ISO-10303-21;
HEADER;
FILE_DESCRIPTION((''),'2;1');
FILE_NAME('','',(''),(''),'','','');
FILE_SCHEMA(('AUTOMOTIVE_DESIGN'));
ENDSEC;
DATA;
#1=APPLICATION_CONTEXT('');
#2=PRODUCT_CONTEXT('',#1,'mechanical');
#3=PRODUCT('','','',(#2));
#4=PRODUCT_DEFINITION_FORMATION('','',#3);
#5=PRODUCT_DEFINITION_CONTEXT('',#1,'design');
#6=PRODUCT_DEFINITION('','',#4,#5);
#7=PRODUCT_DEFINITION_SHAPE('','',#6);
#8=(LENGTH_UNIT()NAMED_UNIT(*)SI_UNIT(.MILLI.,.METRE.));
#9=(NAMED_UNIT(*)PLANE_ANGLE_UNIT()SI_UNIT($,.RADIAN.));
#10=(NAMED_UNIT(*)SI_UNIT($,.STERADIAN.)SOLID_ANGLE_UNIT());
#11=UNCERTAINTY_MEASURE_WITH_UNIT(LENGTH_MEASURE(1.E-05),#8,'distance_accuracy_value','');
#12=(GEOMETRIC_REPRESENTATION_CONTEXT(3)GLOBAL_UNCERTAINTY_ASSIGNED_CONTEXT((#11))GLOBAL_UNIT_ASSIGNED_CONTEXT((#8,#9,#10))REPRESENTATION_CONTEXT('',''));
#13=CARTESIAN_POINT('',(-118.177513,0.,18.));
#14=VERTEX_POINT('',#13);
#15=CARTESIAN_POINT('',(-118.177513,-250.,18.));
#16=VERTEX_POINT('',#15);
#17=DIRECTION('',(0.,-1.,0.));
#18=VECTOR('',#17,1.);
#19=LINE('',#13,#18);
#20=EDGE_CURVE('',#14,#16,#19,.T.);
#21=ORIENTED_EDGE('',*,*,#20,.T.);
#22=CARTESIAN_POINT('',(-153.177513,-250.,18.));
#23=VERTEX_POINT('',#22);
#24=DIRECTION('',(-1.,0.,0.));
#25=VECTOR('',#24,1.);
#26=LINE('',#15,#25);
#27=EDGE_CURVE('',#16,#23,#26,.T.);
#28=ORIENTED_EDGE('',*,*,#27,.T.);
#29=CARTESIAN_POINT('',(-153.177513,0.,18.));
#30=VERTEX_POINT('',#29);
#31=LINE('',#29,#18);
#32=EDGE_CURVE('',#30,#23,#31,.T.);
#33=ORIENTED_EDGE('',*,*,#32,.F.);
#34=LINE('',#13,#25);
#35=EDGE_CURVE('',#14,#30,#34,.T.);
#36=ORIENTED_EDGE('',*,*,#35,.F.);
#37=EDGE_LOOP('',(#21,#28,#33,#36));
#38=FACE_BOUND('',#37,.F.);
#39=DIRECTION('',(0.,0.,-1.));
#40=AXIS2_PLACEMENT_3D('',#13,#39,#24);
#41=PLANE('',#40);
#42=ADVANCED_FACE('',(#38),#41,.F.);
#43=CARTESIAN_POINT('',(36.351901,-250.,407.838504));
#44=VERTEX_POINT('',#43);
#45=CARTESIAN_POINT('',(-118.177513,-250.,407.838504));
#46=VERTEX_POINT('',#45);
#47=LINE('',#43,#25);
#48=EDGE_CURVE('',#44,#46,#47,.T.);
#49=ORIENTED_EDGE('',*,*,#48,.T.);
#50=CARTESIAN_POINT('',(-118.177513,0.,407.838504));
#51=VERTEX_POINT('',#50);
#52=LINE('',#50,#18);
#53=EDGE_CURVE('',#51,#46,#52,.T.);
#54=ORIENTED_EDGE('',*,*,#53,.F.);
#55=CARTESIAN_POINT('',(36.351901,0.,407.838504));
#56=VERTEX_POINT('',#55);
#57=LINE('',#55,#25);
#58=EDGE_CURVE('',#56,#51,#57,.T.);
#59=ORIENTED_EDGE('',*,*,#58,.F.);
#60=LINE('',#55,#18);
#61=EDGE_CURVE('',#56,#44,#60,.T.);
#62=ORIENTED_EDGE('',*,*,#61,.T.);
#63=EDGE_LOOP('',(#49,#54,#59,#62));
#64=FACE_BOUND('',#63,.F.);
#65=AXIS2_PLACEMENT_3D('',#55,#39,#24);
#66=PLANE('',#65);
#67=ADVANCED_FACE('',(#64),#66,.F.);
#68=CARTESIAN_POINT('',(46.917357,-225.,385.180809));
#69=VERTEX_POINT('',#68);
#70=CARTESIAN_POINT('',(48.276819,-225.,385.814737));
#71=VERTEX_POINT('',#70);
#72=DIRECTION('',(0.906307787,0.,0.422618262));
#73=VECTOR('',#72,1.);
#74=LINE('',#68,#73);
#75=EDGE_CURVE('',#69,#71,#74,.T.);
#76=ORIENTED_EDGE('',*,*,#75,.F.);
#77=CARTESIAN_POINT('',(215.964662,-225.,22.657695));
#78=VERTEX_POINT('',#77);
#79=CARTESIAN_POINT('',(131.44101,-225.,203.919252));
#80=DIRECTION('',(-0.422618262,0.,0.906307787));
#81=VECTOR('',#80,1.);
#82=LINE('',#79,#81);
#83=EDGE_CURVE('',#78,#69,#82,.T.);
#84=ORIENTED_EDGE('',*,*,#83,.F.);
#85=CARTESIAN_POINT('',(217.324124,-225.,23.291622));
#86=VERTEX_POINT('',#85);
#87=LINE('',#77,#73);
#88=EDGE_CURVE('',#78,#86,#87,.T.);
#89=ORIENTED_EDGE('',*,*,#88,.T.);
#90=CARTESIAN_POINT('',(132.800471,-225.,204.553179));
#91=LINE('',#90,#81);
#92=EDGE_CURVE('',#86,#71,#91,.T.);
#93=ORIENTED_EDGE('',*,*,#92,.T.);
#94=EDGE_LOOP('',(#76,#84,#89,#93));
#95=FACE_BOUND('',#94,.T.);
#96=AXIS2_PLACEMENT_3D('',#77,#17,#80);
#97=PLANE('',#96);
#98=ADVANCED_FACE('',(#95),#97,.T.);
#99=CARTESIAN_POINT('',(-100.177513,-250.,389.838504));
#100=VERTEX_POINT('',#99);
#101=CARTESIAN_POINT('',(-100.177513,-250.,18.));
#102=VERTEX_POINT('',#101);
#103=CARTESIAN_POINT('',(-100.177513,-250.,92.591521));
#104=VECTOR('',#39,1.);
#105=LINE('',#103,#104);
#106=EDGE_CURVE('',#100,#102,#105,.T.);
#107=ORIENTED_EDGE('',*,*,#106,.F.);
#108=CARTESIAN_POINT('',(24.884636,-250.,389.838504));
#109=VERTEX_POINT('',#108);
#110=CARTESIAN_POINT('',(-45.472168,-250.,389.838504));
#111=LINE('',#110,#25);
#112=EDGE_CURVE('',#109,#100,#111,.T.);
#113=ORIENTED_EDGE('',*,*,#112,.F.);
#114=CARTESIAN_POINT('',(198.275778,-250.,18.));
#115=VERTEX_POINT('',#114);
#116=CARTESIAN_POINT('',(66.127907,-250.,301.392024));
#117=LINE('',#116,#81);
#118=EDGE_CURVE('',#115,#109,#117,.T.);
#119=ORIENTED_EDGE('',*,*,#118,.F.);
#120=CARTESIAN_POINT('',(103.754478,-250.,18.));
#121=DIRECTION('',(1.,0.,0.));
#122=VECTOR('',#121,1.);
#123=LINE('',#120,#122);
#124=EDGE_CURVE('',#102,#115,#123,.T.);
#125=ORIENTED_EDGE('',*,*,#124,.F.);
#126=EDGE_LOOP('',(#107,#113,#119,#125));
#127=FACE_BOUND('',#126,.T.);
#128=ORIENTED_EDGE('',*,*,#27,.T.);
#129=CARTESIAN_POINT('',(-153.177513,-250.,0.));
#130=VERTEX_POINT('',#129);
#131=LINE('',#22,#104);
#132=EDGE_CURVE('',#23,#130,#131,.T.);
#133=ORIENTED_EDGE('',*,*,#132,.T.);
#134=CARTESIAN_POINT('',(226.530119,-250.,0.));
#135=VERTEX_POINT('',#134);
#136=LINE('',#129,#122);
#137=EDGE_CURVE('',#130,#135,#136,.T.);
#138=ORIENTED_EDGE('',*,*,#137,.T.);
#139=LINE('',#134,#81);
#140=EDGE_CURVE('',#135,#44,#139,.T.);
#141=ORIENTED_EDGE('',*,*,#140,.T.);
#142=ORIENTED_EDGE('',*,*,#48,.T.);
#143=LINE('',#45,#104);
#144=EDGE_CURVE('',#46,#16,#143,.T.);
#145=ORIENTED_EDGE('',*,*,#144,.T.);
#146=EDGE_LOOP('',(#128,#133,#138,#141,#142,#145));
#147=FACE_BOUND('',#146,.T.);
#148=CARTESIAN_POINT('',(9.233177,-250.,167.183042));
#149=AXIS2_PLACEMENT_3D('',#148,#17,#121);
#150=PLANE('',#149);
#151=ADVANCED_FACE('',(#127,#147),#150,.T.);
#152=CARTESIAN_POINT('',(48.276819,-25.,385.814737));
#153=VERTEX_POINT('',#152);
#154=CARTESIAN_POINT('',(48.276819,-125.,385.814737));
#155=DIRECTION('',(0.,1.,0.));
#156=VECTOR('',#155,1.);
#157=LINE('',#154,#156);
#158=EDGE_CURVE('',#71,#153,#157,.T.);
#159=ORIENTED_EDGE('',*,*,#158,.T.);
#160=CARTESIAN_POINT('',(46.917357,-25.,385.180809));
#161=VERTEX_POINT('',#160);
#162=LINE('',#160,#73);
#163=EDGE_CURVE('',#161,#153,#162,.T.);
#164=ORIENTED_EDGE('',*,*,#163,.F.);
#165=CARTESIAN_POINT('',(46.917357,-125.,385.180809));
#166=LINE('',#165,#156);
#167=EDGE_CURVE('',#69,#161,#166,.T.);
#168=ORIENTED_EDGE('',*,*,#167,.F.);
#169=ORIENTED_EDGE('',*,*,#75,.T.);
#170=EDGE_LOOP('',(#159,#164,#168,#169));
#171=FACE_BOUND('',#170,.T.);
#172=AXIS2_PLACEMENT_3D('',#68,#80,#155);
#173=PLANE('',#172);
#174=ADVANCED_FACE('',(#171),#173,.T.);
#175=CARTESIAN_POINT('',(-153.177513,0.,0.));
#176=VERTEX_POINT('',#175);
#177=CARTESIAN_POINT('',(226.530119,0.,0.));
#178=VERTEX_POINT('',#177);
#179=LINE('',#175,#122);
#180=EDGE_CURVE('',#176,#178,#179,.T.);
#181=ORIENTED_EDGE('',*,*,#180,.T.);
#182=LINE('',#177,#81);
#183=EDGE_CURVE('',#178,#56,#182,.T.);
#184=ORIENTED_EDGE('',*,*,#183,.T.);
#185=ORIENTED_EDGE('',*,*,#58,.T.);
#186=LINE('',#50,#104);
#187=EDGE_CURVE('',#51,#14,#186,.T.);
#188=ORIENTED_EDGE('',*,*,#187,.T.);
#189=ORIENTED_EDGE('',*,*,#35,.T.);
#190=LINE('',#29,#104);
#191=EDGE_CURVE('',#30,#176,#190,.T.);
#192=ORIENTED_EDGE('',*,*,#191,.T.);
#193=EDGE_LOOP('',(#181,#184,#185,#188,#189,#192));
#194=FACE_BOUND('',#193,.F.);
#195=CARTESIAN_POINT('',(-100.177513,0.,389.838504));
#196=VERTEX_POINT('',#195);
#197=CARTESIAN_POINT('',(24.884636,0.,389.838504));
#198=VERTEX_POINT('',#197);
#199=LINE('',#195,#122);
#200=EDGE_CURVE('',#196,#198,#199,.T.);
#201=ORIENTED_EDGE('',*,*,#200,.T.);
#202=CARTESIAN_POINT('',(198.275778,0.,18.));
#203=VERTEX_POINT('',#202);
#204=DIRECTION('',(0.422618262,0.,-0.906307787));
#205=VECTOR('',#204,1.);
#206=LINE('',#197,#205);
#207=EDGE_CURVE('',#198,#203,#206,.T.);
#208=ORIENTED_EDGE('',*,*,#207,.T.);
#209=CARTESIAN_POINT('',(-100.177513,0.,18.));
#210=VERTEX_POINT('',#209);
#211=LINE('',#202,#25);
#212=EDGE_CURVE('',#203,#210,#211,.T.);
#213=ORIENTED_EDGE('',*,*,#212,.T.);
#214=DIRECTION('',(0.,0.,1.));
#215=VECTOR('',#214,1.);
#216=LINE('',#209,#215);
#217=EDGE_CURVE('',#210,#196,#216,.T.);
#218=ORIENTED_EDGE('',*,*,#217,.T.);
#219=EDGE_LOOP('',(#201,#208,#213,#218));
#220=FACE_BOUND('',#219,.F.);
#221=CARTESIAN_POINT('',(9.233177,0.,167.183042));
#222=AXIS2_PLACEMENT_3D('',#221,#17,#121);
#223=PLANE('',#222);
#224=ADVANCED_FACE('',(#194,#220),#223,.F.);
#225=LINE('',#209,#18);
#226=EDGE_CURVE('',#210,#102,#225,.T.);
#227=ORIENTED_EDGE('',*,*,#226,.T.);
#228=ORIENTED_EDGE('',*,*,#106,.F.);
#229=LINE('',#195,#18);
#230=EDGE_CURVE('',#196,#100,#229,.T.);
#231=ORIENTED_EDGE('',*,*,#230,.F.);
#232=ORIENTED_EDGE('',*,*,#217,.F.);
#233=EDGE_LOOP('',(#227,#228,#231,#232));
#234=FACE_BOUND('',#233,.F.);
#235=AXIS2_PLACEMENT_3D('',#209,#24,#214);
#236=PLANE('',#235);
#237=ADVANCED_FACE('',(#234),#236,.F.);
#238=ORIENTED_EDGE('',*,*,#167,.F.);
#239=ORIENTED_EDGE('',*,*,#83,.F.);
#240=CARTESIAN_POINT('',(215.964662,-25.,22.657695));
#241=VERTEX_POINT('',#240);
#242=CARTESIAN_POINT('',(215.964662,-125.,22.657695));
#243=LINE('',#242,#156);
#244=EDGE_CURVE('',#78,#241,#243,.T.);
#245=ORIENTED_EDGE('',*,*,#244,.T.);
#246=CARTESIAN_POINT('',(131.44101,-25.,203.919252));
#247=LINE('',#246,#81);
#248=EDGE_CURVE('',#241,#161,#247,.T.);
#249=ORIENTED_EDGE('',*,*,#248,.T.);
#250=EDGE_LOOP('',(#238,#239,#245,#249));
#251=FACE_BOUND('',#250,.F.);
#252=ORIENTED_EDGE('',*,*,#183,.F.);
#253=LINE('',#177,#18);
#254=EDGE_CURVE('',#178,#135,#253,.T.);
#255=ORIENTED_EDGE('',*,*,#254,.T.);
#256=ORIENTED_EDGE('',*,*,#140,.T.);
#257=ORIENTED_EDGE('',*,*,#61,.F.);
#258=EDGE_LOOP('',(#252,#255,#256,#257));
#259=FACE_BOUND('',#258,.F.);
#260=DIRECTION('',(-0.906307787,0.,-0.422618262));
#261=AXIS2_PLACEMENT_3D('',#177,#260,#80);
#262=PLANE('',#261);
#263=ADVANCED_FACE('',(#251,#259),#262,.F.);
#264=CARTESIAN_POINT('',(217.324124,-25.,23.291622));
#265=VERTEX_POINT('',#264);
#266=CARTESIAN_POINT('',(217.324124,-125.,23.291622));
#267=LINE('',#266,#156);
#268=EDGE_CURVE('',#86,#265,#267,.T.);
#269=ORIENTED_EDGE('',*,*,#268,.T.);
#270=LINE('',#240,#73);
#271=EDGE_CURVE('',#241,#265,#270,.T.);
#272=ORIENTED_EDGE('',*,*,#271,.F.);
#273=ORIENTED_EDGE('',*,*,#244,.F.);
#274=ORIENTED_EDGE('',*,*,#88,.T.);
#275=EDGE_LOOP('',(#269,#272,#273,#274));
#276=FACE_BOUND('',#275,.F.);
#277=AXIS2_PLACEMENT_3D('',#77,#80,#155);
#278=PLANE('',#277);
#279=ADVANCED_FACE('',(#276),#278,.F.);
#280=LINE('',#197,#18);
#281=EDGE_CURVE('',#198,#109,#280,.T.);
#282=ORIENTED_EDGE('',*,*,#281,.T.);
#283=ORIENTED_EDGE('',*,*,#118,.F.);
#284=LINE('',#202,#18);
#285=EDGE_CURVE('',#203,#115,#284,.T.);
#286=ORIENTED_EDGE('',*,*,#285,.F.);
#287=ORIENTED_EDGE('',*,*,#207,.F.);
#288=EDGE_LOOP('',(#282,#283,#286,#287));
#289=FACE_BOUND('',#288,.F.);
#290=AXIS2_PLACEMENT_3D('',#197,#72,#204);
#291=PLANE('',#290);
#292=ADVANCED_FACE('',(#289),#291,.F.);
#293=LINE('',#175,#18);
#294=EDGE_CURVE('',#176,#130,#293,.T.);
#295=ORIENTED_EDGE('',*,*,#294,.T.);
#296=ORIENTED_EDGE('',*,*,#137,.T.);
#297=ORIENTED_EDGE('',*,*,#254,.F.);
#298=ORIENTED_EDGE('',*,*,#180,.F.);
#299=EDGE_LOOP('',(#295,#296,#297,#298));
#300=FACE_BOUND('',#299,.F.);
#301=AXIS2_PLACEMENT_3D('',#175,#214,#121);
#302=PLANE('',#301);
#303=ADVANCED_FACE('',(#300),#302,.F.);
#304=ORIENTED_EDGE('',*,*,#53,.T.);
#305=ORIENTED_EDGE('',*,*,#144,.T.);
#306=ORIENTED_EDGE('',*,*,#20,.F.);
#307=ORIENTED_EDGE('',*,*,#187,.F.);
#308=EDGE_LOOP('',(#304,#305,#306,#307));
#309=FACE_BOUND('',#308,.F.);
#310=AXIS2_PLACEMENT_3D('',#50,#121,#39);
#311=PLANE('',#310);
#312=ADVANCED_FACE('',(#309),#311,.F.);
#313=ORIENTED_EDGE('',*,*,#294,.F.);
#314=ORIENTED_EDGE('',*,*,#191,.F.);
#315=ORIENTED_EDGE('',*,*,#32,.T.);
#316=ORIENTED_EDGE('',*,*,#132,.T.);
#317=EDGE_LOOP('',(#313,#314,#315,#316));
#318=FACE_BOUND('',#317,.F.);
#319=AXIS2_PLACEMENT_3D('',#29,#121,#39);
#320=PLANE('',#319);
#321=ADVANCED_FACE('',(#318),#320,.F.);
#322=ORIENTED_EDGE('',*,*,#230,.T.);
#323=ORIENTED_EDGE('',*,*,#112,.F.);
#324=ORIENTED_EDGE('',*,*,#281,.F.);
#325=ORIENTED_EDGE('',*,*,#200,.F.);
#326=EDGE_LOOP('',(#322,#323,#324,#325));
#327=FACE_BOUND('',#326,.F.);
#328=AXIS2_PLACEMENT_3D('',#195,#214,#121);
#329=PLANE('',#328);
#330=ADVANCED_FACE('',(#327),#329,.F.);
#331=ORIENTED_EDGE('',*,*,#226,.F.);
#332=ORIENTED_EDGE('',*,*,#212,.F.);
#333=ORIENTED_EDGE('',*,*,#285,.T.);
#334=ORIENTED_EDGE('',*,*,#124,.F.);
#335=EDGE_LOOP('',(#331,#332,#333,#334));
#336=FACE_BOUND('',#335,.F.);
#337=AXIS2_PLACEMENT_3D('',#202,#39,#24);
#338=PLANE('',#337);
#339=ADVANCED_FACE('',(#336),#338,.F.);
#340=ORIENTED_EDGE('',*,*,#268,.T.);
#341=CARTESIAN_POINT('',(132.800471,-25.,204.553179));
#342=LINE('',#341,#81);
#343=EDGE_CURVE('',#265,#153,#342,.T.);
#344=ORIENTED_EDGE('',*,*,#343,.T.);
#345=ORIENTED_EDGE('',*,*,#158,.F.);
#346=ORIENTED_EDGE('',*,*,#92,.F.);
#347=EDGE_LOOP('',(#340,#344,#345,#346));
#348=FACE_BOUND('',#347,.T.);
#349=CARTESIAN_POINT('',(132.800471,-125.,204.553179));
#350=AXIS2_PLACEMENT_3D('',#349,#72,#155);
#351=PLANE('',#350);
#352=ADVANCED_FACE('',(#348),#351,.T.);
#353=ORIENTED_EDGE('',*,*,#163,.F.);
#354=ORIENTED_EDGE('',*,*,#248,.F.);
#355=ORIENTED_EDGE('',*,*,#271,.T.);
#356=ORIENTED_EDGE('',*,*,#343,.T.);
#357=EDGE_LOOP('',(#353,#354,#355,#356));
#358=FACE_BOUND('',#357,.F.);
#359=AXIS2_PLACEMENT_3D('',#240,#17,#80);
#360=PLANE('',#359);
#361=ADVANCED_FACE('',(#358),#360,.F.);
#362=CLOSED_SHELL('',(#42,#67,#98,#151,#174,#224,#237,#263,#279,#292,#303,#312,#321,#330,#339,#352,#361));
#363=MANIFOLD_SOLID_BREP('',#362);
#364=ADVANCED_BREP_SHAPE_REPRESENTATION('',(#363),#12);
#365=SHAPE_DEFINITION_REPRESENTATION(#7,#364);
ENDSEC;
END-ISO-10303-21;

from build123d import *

# Parameters (mm, degrees)
F1_DEPTH = 250
F3_DEPTH = 250.001
F4_W     = 200
F4_H     = 400
F5_DEPTH = 1.5


with BuildPart() as f1:
    # F0 (on Front) → F1 (new body)
    with BuildSketch(Plane.XZ):
        Polygon((-153.1775129723, 18), (-153.1775129723, 0), (226.53011856, 0), (36.3519007767, 407.8385041665), (-118.1775129723, 407.8385041665), (-118.1775129723, 18), align=None)
    extrude(amount=F1_DEPTH)

    # F2 (on face) → F3 (cut, through all)
    with BuildSketch(Plane(origin=(0, 0, 0), x_dir=(-1, 0, 0), z_dir=(0, 1, 0))):
        Polygon((-198.2757781719, 18), (100.1775129723, 18), (100.1775129723, 389.8385041665), (-24.8846360822, 389.8385041665), align=None)
    extrude(amount=-F3_DEPTH, mode=Mode.SUBTRACT)

    # F4 (on face) → F5 (join)
    with BuildSketch(Plane(origin=(186.0704359956, 0, 86.766069261), x_dir=(0, 1, 0), z_dir=(0.906307787, 0, 0.4226182617))):
        with Locations((-125, 129.2642350622)):
            Rectangle(F4_W, F4_H)
    extrude(amount=F5_DEPTH)


solid = f1.part
